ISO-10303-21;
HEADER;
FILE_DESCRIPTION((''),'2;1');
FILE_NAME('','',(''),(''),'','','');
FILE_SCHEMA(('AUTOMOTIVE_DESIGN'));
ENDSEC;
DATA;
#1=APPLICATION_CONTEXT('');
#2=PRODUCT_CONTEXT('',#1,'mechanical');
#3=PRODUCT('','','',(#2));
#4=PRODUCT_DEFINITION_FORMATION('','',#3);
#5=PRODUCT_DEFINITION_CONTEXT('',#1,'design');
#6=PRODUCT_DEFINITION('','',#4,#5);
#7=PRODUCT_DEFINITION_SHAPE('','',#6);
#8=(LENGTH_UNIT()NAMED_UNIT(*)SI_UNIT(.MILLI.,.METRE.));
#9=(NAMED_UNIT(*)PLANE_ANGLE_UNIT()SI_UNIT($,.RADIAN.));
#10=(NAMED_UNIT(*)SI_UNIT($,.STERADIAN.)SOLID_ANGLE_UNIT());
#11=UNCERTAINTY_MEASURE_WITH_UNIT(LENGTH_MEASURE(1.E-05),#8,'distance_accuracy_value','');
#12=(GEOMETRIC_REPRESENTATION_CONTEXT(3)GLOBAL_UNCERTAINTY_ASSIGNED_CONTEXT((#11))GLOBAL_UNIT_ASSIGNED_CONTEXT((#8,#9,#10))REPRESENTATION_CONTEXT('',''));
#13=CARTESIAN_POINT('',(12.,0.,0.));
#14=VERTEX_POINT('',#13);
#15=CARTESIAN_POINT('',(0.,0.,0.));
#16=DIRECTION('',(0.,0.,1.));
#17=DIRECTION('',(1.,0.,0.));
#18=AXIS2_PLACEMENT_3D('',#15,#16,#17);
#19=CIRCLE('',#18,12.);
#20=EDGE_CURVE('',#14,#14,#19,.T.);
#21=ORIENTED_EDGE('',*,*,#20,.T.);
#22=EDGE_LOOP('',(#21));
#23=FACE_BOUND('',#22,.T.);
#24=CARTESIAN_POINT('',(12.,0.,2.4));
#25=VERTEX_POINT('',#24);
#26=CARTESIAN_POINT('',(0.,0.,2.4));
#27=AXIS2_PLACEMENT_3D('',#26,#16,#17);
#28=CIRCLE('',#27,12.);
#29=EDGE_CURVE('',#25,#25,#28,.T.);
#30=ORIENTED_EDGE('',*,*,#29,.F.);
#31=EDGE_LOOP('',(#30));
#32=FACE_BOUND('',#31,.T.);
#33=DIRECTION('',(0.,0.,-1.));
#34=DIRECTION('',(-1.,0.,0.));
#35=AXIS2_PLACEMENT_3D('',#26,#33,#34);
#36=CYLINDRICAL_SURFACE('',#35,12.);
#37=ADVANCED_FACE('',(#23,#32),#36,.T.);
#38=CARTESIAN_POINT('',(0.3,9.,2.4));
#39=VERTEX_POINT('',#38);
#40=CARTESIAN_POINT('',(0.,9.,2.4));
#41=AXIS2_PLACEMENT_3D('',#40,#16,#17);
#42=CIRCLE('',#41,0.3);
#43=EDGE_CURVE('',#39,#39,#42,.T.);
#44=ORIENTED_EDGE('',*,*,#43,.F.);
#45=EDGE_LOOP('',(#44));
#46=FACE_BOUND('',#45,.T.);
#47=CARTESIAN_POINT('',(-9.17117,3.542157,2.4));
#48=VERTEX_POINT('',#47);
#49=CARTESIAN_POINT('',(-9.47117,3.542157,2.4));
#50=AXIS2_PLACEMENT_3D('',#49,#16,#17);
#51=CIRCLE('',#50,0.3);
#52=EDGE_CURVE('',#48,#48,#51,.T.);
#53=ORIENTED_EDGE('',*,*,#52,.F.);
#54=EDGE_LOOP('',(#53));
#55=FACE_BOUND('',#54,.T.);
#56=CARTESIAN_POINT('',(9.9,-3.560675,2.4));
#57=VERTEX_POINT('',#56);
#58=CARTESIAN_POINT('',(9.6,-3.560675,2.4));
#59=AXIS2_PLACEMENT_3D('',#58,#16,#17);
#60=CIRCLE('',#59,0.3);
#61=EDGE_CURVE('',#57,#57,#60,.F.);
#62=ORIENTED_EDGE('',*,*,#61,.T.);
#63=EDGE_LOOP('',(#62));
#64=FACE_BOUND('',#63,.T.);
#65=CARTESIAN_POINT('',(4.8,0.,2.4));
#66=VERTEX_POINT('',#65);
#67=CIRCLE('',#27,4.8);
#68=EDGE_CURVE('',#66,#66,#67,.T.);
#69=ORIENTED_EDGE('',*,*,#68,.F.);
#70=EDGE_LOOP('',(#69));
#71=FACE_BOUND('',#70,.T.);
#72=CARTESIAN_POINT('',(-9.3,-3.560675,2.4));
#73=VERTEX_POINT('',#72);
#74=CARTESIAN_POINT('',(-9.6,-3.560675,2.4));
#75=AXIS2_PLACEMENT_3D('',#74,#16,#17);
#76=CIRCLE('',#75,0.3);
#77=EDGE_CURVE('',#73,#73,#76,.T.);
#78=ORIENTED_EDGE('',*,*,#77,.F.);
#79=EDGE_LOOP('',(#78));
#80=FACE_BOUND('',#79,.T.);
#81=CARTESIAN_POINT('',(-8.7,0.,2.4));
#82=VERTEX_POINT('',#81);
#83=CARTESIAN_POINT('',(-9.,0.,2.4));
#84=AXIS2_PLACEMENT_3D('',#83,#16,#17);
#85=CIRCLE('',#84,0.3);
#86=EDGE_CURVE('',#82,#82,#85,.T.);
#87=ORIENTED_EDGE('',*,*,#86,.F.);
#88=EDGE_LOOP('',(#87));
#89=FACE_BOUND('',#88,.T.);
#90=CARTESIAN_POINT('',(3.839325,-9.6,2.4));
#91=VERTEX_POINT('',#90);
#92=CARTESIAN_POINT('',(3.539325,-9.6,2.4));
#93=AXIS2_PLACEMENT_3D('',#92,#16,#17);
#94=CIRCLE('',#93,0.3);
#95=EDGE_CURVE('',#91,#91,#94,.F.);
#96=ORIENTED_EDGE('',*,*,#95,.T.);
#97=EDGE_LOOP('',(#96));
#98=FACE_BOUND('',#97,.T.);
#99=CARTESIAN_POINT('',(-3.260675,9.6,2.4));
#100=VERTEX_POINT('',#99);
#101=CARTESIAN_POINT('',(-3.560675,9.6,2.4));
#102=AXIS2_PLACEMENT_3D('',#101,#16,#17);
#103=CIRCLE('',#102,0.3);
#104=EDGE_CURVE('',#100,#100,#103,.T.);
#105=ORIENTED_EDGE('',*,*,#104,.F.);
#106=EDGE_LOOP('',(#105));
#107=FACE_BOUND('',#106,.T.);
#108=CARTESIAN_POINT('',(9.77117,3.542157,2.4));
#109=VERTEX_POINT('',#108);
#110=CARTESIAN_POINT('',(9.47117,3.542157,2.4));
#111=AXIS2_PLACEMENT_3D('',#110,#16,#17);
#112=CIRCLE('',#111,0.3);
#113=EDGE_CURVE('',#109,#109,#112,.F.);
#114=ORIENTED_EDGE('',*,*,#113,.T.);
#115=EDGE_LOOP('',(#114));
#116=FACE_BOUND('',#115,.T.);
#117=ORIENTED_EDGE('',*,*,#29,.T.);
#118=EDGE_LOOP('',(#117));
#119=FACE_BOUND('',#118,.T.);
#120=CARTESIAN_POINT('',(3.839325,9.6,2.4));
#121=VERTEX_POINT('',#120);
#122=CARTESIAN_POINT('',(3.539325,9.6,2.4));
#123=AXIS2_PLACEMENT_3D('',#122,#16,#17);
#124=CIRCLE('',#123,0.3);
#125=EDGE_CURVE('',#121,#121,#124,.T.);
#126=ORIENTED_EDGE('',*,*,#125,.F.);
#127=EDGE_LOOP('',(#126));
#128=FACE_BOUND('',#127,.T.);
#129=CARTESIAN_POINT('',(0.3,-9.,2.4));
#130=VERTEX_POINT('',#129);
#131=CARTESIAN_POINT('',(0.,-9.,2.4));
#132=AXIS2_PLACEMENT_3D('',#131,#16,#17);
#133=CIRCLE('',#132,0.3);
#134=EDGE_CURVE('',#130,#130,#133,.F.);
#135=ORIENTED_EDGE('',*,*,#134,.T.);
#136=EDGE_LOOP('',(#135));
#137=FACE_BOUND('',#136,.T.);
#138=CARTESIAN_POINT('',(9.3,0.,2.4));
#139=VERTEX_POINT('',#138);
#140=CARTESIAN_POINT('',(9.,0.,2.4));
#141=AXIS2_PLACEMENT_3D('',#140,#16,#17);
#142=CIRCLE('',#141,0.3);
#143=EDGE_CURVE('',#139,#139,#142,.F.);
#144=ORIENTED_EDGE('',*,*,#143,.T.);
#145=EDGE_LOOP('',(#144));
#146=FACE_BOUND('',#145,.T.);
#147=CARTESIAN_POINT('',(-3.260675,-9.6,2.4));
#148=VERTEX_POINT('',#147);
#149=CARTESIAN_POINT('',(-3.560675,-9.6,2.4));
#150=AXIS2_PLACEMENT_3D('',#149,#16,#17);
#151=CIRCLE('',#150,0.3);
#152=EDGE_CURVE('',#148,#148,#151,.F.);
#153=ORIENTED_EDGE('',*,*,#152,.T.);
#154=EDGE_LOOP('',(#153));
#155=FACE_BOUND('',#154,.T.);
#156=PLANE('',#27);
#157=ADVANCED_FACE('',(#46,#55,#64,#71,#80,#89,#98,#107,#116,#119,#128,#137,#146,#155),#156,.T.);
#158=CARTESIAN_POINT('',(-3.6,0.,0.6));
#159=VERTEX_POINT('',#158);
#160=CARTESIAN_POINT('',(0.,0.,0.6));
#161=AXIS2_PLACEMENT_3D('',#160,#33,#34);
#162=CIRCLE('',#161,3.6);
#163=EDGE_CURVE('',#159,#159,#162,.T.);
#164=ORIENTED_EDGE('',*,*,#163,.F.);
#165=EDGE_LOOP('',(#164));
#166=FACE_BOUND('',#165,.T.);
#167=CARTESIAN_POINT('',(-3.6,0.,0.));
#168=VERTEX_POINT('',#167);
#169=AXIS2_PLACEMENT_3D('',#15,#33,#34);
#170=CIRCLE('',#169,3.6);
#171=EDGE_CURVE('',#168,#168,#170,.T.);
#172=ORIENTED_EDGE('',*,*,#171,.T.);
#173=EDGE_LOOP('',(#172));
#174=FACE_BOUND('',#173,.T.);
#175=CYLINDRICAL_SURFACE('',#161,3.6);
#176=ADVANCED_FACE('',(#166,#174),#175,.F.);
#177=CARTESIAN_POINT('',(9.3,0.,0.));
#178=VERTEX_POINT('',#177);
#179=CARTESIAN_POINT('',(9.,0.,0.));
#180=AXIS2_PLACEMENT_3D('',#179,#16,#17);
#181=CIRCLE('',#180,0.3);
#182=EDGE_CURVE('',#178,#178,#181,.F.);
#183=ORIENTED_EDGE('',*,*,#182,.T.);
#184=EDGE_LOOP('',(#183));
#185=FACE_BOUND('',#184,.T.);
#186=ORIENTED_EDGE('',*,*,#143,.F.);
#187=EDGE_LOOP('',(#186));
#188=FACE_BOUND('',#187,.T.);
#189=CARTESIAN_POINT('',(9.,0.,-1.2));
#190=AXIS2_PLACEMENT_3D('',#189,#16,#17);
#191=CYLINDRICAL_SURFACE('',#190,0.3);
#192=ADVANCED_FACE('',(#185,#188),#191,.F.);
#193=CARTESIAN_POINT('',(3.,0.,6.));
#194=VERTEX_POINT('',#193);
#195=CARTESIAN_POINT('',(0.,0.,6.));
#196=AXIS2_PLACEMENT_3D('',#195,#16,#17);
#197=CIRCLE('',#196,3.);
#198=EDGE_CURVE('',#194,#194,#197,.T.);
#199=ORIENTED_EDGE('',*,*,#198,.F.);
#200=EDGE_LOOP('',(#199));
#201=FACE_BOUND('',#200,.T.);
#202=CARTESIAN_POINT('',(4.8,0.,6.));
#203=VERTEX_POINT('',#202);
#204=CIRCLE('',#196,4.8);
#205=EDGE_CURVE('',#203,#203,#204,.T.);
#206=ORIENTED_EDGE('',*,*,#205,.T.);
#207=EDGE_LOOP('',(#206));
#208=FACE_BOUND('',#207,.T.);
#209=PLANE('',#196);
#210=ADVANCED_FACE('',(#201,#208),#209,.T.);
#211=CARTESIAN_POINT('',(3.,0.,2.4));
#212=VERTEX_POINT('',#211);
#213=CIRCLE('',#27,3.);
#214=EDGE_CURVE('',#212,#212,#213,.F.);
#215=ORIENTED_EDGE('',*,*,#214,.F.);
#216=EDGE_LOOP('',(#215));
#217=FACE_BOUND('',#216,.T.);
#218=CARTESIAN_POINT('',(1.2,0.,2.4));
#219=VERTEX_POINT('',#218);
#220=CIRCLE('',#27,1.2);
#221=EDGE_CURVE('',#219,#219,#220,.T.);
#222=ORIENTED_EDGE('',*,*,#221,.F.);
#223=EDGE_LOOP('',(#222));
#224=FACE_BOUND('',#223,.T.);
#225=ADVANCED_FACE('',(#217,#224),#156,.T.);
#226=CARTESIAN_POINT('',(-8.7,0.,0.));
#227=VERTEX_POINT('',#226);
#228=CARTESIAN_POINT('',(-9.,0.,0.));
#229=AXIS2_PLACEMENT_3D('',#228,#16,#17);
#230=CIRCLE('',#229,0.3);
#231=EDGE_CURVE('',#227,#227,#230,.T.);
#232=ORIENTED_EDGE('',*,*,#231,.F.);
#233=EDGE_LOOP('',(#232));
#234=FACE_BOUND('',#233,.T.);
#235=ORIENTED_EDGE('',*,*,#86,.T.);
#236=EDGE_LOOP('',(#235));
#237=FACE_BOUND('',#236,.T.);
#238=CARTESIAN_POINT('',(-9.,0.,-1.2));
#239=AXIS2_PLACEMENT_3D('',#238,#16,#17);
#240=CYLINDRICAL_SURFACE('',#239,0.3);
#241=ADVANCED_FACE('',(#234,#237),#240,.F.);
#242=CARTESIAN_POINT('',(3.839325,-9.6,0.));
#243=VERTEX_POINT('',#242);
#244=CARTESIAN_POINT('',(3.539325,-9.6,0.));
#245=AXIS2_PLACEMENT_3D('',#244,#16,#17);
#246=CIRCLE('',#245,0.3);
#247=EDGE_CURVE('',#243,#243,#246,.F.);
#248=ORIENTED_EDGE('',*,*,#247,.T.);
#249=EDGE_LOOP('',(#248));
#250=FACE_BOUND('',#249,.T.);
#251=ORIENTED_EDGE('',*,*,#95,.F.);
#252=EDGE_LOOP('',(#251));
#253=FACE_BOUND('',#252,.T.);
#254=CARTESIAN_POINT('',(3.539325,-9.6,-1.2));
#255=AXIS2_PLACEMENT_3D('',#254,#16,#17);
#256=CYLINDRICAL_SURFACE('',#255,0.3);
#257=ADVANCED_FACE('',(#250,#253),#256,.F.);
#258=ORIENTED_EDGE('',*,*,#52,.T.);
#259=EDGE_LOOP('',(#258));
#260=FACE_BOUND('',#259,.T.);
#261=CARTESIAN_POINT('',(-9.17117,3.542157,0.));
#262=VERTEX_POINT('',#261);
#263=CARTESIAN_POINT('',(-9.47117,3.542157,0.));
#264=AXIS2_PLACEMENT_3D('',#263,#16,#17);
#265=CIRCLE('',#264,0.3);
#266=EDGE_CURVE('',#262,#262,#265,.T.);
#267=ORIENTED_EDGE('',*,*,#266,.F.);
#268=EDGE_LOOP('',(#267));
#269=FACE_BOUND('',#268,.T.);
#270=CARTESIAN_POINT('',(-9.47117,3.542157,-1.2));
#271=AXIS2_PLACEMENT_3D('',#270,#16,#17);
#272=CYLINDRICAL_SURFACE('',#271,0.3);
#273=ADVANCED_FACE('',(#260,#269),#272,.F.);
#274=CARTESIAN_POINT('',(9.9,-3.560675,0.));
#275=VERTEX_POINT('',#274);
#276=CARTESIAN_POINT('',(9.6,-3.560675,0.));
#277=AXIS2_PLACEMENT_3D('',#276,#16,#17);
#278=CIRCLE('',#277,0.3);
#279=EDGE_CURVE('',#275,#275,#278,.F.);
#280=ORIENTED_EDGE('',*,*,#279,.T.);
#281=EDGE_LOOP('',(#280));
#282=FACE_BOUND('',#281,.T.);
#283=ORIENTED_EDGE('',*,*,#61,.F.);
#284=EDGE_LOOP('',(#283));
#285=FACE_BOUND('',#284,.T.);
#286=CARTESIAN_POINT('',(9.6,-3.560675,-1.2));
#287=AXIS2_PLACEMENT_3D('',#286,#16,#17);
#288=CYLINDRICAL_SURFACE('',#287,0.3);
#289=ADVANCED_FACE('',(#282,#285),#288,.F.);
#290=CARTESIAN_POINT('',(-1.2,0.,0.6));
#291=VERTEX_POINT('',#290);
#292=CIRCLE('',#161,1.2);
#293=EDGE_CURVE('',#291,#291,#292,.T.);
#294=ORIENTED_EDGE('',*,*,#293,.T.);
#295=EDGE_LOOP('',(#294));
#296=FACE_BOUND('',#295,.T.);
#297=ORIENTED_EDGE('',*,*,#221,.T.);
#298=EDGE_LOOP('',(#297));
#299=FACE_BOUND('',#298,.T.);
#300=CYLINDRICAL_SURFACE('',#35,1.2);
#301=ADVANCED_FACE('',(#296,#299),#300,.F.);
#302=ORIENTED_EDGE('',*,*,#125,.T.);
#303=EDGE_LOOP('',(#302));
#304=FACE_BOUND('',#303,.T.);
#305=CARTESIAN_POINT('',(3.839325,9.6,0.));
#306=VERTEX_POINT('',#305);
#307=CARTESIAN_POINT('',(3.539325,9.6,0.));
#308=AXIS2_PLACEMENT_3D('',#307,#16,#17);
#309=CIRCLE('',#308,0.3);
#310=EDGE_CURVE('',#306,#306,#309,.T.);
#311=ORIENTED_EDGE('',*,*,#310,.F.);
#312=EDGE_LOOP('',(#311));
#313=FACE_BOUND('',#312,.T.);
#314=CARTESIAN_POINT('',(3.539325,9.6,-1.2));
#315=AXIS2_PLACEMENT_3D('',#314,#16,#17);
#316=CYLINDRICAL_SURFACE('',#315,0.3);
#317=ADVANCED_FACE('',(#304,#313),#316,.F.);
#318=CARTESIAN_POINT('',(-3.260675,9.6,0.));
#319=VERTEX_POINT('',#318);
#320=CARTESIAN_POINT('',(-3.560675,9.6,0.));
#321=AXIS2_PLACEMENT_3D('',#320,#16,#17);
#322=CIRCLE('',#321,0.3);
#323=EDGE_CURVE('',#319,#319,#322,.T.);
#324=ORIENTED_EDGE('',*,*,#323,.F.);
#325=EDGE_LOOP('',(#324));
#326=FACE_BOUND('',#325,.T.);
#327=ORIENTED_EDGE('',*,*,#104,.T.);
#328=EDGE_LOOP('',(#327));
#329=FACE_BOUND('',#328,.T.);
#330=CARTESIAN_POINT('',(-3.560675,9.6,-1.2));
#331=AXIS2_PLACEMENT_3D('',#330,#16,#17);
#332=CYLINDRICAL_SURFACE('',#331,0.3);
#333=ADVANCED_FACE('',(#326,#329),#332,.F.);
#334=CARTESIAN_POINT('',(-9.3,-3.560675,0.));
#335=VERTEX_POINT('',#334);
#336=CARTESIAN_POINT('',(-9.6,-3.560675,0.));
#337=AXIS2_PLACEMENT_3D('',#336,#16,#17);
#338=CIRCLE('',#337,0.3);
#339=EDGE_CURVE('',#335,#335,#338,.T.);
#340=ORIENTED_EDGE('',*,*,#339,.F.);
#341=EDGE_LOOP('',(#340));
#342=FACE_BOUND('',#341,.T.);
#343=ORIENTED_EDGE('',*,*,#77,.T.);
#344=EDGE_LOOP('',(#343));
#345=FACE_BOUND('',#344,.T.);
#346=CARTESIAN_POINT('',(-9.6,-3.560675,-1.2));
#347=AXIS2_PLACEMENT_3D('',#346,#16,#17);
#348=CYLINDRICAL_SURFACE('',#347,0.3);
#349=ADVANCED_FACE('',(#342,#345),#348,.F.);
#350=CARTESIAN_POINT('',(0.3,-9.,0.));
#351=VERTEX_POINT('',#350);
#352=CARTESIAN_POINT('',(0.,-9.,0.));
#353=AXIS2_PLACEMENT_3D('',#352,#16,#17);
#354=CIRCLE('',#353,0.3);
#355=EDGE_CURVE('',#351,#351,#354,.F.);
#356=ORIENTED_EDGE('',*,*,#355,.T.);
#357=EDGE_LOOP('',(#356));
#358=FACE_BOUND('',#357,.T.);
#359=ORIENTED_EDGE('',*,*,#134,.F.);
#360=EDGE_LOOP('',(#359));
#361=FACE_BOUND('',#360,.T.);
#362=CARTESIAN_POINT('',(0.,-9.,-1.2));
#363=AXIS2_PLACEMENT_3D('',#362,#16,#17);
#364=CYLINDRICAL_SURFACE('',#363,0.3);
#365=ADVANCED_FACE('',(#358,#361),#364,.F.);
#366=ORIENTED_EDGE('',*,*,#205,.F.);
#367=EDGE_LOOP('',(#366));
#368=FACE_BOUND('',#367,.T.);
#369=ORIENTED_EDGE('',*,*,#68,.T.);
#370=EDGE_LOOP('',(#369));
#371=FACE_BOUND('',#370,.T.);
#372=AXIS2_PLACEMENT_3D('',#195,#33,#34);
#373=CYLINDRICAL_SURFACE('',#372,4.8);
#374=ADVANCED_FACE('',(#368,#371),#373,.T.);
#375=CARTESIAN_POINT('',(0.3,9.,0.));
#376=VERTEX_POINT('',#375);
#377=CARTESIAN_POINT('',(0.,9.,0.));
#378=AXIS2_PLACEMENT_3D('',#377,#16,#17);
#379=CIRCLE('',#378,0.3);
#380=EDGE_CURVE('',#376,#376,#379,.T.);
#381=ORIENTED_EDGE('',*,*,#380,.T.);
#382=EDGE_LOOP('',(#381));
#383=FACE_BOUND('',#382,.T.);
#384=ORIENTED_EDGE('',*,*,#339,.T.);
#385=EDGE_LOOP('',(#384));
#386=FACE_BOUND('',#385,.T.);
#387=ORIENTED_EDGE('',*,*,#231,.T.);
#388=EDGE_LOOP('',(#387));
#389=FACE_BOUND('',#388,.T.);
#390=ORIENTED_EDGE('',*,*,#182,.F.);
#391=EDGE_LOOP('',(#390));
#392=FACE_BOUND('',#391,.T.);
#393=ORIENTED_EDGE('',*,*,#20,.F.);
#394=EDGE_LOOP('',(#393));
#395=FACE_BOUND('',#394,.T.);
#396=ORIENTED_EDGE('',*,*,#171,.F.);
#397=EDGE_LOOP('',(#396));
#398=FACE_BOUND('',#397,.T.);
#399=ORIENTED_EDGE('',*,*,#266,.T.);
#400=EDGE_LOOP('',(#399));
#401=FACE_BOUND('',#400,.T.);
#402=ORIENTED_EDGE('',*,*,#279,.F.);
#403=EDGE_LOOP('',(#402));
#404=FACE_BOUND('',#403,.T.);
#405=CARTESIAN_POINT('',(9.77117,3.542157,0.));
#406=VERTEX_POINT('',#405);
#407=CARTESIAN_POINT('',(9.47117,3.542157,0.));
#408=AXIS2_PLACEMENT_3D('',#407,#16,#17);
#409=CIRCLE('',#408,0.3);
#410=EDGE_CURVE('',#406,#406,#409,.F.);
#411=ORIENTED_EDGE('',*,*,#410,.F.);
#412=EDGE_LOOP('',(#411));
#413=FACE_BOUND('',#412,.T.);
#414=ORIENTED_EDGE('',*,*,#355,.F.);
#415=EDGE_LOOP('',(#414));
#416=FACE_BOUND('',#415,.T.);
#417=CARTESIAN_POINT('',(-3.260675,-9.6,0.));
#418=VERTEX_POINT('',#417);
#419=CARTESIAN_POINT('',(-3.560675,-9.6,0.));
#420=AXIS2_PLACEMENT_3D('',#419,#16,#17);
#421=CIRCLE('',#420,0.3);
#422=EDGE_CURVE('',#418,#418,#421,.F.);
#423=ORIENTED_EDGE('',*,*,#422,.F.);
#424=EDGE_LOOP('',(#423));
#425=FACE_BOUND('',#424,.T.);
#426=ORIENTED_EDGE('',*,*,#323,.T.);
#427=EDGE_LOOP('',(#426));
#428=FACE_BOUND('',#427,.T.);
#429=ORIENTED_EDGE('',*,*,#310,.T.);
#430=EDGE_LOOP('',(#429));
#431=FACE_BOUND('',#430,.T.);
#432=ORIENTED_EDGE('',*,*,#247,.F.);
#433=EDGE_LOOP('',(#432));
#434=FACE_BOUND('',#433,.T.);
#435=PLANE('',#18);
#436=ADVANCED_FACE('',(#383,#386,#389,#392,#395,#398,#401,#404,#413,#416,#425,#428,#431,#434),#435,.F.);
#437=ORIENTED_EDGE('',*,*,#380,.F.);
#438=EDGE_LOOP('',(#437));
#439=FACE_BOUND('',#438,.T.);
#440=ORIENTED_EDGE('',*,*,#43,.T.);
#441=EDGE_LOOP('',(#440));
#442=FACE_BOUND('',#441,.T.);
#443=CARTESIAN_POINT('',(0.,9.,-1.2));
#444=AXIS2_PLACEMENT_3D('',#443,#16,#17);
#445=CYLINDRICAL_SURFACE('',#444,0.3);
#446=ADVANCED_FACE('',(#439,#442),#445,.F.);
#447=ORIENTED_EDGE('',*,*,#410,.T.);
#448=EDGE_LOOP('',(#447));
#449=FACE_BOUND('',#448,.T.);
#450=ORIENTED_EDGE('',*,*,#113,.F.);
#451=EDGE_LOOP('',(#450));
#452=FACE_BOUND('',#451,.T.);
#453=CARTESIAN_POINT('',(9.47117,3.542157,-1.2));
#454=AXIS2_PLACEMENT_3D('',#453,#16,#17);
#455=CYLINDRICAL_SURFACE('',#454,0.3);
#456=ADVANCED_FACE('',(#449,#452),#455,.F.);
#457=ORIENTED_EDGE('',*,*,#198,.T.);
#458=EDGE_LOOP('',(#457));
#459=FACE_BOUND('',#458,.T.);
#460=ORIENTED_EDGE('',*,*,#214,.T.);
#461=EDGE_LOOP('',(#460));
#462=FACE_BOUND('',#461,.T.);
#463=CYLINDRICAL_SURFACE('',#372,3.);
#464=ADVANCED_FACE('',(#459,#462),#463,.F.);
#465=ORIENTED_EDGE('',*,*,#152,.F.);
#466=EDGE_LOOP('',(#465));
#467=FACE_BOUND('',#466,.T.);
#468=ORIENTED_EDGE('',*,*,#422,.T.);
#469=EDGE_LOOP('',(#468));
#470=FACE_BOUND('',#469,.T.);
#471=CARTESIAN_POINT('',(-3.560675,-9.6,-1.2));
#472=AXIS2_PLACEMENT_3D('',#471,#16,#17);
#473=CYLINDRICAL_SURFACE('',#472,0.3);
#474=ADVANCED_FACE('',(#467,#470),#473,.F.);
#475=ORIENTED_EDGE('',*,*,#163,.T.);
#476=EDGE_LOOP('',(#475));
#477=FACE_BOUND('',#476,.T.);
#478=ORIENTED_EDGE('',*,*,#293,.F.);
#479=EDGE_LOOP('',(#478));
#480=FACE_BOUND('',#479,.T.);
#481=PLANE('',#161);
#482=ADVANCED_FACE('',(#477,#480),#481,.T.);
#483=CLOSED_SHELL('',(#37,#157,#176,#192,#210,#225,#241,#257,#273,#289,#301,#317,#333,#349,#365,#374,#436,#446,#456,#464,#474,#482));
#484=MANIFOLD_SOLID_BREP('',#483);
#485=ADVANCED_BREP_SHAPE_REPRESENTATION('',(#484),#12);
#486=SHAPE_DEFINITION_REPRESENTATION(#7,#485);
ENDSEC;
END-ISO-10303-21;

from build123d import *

# Parameters (mm, degrees)
ESQUISSE1_R             = 12
ESQUISSE1_R_2           = 1.2
BOSS_EXTRU_2_DEPTH      = 2.4
ESQUISSE3_R             = 4.8
ESQUISSE3_R_2           = 3
BOSS_EXTRU_3_DEPTH      = 3.6
ESQUISSE4_R             = 0.3
ENL_V_MAT_EXTRU_1_DEPTH = 3.6
ESQUISSE5_R             = 3.6
ENL_V_MAT_EXTRU_2_DEPTH = 0.6


with BuildPart() as part:
    # Esquisse1 → Boss.-Extru.2 (new body)
    with BuildSketch(Plane.XY):
        Circle(ESQUISSE1_R)
        Circle(ESQUISSE1_R_2, mode=Mode.SUBTRACT)
    extrude(amount=BOSS_EXTRU_2_DEPTH)

    # Esquisse3 → Boss.-Extru.3 (add)
    with BuildSketch(Plane.XY.offset(2.4)):
        Circle(ESQUISSE3_R)
        Circle(ESQUISSE3_R_2, mode=Mode.SUBTRACT)
    extrude(amount=BOSS_EXTRU_3_DEPTH)

    # Esquisse4 → Enlèv. mat.-Extru.1 (cut)
    with BuildSketch(Plane.XY.offset(2.4)):
        with Locations((-9.6, -3.560674829)):
            Circle(ESQUISSE4_R)
        with Locations((-3.560674829, 9.6)):
            Circle(ESQUISSE4_R)
        with Locations((-9, 0)):
            Circle(ESQUISSE4_R)
        with Locations((-9.471169928, 3.542156917)):
            Circle(ESQUISSE4_R)
        with Locations((0, 9)):
            Circle(ESQUISSE4_R)
        with Locations((3.539325171, 9.6)):
            Circle(ESQUISSE4_R)
        with Locations((9.6, -3.560674829)):
            Circle(ESQUISSE4_R)
        with Locations((9, 0)):
            Circle(ESQUISSE4_R)
        with Locations((9.471169928, 3.542156917)):
            Circle(ESQUISSE4_R)
        with Locations((3.539325171, -9.6)):
            Circle(ESQUISSE4_R)
        with Locations((0, -9)):
            Circle(ESQUISSE4_R)
        with Locations((-3.560674829, -9.6)):
            Circle(ESQUISSE4_R)
    extrude(amount=-ENL_V_MAT_EXTRU_1_DEPTH, mode=Mode.SUBTRACT)

    # Esquisse5 → Enlèv. mat.-Extru.2 (cut)
    with BuildSketch(Plane(origin=(0, 0, 0), x_dir=(-1, 0, 0), z_dir=(0, 0, -1))):
        Circle(ESQUISSE5_R)
    extrude(amount=-ENL_V_MAT_EXTRU_2_DEPTH, mode=Mode.SUBTRACT)


solid = part.part
